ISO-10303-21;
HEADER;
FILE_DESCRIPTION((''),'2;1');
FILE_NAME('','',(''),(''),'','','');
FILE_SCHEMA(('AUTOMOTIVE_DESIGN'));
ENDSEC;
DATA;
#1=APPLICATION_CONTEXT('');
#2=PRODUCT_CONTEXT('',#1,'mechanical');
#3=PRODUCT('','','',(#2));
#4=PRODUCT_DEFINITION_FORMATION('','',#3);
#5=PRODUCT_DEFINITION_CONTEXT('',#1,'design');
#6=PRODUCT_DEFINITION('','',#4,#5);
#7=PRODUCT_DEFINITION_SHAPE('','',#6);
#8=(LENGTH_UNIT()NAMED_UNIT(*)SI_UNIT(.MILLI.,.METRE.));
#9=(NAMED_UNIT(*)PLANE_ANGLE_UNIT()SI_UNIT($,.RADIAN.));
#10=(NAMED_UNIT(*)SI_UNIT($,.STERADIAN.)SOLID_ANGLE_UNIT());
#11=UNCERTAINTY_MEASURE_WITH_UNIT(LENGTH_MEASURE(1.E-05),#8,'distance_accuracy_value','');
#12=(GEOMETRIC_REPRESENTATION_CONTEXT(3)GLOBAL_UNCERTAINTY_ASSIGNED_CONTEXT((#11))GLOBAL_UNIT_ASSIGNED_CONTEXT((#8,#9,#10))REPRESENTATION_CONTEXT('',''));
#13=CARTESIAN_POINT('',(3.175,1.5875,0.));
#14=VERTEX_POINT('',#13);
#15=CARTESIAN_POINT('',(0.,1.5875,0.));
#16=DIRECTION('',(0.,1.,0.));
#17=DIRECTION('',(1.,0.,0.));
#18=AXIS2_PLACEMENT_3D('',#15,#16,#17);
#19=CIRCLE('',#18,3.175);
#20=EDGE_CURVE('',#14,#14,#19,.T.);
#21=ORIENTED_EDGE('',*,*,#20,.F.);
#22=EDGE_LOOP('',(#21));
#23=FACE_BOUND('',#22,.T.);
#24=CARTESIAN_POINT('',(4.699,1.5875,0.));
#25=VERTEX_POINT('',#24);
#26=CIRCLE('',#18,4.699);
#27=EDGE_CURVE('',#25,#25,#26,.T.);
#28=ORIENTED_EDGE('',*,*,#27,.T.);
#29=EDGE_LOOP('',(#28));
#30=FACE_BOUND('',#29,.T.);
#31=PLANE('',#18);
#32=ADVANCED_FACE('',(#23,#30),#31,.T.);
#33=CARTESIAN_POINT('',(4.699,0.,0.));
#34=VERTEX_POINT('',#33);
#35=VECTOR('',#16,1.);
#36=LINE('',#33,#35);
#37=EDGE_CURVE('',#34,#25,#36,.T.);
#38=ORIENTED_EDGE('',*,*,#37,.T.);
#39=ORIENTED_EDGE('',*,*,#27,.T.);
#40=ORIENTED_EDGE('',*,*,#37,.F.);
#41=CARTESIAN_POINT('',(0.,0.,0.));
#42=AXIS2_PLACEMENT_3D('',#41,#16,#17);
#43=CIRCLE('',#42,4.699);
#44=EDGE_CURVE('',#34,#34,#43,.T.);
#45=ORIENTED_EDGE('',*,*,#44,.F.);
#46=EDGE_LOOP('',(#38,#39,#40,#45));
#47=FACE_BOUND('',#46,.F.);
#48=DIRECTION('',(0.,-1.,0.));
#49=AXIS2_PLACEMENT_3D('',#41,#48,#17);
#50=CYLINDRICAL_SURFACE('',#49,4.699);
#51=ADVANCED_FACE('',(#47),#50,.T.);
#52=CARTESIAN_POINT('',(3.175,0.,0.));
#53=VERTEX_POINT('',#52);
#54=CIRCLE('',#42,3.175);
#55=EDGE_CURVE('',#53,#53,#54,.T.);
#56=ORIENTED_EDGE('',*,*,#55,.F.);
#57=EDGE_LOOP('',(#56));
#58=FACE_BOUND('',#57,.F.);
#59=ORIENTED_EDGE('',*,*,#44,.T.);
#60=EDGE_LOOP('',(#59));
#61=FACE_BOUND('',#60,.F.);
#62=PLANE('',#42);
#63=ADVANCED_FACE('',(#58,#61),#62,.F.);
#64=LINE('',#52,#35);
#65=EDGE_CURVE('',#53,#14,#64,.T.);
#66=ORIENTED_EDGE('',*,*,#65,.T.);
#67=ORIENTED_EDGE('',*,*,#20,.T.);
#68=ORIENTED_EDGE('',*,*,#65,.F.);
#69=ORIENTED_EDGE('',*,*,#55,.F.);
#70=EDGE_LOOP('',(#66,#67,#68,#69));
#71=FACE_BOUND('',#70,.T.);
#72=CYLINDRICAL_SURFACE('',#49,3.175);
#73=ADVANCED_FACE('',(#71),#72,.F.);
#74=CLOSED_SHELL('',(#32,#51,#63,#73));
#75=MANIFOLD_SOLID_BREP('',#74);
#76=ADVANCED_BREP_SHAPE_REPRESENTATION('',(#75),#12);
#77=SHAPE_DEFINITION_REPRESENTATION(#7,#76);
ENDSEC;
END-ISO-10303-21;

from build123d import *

# Parameters (mm, degrees)
SKETCH1_R           = 4.699
SKETCH1_R_2         = 3.175
BOSS_EXTRUDE1_DEPTH = 1.5875


with BuildPart() as part:
    # Sketch1 → Boss-Extrude1 (new body)
    with BuildSketch(Plane(origin=(0, 0, 0), x_dir=(1, 0, 0), z_dir=(0, 1, 0))):
        Circle(SKETCH1_R)
        Circle(SKETCH1_R_2, mode=Mode.SUBTRACT)
    extrude(amount=BOSS_EXTRUDE1_DEPTH)


solid = part.part
